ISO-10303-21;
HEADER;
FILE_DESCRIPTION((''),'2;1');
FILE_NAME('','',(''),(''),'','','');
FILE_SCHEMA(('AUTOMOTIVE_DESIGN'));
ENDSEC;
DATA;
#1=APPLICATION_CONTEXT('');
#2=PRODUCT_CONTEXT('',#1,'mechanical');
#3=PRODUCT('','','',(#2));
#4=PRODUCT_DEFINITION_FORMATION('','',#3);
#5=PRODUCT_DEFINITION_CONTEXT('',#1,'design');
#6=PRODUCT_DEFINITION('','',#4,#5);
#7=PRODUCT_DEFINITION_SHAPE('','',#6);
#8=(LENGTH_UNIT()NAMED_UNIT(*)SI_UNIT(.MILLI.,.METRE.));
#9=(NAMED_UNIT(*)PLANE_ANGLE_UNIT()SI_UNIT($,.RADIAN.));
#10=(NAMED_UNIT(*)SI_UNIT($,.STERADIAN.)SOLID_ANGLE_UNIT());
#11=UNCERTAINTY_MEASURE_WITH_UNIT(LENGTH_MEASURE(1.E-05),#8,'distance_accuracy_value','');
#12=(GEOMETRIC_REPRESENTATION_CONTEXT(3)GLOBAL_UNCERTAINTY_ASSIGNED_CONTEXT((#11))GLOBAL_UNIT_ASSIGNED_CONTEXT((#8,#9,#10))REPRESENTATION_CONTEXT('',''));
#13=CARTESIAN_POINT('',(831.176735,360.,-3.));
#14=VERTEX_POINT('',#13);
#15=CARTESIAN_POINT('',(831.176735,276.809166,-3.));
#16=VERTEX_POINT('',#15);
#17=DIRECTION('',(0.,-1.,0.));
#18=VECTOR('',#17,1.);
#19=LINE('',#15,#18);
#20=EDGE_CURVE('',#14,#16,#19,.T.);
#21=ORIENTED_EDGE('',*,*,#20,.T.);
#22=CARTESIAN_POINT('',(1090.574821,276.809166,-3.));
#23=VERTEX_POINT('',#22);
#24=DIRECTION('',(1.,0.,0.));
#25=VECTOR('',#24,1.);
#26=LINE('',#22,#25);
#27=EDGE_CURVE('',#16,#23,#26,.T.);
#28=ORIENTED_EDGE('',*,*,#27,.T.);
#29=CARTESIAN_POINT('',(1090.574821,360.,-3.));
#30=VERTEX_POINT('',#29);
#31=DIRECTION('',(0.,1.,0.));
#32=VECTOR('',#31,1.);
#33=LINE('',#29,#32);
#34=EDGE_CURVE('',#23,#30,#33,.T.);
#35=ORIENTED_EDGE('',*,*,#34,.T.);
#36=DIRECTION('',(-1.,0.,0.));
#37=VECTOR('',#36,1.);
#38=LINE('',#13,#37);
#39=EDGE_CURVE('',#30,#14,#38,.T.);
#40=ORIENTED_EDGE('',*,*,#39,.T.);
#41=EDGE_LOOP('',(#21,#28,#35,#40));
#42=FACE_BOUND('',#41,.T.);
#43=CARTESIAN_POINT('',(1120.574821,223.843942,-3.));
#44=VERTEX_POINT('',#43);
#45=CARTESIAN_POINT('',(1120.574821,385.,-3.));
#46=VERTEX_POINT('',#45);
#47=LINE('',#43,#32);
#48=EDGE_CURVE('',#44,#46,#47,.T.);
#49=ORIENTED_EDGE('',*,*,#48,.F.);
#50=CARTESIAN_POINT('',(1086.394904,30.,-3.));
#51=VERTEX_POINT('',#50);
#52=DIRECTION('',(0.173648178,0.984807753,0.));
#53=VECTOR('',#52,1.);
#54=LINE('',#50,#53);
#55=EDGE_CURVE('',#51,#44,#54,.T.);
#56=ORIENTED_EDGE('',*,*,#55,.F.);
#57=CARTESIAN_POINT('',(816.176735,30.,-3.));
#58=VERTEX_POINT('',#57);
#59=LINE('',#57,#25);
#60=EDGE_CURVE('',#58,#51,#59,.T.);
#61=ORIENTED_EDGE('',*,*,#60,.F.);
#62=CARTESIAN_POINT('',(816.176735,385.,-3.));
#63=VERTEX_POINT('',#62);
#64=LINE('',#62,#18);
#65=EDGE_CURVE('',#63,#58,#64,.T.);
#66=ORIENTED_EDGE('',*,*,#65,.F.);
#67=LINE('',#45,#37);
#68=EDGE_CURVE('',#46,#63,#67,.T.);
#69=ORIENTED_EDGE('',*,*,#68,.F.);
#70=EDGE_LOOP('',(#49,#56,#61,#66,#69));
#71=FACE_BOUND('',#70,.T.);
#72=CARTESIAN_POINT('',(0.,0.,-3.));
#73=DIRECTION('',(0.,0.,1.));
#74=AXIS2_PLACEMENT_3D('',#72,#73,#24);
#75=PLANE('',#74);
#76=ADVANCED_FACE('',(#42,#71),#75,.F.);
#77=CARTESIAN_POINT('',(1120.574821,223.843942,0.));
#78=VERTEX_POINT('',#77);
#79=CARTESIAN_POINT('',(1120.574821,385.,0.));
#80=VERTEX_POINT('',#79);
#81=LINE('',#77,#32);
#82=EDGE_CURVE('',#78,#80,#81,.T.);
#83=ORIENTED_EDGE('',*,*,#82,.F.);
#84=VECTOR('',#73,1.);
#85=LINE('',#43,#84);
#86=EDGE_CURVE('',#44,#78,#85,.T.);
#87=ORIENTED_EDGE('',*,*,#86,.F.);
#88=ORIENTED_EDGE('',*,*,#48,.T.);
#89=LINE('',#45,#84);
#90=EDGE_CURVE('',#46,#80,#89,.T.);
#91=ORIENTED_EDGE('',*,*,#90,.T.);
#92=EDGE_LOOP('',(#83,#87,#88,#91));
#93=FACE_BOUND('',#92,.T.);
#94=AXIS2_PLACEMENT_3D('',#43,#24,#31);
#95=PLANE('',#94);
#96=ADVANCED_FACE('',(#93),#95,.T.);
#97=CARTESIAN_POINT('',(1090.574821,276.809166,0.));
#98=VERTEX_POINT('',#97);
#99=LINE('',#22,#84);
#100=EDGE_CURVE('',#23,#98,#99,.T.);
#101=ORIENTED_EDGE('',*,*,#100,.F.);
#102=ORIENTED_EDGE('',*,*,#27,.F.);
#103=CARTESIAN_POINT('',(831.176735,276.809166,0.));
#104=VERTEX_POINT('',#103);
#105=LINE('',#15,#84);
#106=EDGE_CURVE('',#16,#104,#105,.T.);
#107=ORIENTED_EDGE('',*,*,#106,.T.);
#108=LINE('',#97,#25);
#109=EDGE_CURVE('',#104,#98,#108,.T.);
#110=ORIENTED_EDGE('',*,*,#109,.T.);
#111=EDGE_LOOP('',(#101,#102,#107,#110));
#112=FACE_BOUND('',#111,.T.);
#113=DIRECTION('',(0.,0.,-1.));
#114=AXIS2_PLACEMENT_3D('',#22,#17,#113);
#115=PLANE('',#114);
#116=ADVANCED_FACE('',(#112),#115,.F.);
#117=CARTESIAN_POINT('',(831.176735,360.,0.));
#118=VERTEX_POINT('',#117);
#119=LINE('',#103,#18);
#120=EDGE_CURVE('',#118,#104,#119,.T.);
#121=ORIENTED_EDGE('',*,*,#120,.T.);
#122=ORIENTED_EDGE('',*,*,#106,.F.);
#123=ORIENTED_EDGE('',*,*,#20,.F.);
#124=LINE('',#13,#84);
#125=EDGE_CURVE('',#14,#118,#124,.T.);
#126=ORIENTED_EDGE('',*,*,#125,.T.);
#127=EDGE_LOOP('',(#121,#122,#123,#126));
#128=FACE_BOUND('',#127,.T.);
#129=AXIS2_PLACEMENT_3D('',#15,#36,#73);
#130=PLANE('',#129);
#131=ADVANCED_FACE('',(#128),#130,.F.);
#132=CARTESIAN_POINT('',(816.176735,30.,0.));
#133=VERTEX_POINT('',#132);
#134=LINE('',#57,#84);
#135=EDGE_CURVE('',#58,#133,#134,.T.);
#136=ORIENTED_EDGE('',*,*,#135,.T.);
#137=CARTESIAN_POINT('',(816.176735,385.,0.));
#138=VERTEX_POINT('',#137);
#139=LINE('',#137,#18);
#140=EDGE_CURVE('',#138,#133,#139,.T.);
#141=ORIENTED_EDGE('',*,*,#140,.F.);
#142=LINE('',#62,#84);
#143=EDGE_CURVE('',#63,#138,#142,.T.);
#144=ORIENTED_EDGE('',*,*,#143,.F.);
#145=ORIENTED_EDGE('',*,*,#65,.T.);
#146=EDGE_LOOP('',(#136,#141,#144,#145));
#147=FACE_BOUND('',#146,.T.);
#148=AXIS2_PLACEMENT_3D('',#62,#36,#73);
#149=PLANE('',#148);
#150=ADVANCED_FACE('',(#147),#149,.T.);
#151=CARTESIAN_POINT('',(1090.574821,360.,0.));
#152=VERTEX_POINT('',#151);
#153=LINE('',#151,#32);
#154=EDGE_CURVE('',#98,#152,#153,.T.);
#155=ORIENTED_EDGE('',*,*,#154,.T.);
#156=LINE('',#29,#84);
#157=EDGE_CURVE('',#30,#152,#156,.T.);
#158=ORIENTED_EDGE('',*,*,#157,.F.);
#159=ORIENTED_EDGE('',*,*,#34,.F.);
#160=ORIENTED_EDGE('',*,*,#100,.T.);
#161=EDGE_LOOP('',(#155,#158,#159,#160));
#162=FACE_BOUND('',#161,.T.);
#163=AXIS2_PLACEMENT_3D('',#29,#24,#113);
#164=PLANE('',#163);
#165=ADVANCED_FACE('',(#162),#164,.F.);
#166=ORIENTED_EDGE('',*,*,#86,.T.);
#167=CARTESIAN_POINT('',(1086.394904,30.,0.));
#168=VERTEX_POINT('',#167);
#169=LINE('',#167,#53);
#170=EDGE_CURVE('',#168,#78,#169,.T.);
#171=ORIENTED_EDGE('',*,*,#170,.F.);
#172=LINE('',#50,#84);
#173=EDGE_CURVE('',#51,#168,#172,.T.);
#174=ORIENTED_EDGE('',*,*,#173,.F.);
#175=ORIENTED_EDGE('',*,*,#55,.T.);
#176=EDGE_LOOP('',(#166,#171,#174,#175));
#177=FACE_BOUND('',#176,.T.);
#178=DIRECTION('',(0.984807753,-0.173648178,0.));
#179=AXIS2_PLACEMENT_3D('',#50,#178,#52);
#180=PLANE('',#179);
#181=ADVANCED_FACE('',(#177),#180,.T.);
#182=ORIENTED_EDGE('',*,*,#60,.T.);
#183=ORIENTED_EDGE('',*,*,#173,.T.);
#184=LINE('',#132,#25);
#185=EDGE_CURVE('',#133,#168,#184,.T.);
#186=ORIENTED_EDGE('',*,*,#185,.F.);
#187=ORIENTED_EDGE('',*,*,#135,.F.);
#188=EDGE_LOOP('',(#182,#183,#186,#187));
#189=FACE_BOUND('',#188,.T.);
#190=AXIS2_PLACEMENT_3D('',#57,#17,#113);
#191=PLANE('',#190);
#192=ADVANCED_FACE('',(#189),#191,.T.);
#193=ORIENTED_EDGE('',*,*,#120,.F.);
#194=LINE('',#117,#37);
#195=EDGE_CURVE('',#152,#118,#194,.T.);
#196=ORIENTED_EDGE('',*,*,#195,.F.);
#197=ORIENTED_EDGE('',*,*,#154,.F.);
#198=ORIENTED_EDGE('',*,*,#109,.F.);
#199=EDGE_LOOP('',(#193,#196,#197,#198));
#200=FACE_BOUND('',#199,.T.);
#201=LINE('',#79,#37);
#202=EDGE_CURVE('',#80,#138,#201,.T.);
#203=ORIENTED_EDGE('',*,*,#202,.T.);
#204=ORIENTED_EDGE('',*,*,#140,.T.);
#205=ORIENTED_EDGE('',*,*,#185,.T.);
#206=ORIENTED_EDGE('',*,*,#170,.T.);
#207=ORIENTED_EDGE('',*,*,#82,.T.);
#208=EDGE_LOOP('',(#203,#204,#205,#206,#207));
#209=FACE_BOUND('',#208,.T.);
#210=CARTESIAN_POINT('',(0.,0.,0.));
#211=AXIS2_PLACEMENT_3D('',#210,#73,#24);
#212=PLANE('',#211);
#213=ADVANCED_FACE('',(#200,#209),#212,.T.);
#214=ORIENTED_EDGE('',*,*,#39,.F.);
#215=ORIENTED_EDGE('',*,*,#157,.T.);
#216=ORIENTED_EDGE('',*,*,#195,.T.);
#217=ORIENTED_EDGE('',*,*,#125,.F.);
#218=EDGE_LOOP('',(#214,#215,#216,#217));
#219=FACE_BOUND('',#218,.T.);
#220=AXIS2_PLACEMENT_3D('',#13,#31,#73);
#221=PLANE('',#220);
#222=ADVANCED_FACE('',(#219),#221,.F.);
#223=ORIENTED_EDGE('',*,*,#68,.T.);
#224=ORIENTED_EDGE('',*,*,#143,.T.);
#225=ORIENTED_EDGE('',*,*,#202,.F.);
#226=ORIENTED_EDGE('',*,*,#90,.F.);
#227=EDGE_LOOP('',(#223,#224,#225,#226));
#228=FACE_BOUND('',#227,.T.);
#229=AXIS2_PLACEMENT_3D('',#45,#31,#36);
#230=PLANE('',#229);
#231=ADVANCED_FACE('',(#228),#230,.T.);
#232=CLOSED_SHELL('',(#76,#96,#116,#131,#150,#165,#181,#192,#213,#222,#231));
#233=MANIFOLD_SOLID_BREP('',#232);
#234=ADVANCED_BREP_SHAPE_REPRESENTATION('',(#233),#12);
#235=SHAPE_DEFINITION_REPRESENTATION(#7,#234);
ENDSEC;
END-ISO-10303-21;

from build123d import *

# Parameters (mm, degrees)
SKETCH1_W           = 259.398086837
SKETCH1_H           = 83.19083402
BOSS_EXTRUDE1_DEPTH = 3


with BuildPart() as part:
    # Sketch1 → Boss-Extrude1 (new body)
    with BuildSketch(Plane.XY):
        Polygon((816.17673453, 30), (1086.394904374, 30), (1120.574821367, 223.843941842), (1120.574821367, 385), (816.17673453, 385), align=None)
        with Locations((960.875777949, 318.40458299)):
            Rectangle(SKETCH1_W, SKETCH1_H, mode=Mode.SUBTRACT)
    extrude(amount=-BOSS_EXTRUDE1_DEPTH)


solid = part.part
